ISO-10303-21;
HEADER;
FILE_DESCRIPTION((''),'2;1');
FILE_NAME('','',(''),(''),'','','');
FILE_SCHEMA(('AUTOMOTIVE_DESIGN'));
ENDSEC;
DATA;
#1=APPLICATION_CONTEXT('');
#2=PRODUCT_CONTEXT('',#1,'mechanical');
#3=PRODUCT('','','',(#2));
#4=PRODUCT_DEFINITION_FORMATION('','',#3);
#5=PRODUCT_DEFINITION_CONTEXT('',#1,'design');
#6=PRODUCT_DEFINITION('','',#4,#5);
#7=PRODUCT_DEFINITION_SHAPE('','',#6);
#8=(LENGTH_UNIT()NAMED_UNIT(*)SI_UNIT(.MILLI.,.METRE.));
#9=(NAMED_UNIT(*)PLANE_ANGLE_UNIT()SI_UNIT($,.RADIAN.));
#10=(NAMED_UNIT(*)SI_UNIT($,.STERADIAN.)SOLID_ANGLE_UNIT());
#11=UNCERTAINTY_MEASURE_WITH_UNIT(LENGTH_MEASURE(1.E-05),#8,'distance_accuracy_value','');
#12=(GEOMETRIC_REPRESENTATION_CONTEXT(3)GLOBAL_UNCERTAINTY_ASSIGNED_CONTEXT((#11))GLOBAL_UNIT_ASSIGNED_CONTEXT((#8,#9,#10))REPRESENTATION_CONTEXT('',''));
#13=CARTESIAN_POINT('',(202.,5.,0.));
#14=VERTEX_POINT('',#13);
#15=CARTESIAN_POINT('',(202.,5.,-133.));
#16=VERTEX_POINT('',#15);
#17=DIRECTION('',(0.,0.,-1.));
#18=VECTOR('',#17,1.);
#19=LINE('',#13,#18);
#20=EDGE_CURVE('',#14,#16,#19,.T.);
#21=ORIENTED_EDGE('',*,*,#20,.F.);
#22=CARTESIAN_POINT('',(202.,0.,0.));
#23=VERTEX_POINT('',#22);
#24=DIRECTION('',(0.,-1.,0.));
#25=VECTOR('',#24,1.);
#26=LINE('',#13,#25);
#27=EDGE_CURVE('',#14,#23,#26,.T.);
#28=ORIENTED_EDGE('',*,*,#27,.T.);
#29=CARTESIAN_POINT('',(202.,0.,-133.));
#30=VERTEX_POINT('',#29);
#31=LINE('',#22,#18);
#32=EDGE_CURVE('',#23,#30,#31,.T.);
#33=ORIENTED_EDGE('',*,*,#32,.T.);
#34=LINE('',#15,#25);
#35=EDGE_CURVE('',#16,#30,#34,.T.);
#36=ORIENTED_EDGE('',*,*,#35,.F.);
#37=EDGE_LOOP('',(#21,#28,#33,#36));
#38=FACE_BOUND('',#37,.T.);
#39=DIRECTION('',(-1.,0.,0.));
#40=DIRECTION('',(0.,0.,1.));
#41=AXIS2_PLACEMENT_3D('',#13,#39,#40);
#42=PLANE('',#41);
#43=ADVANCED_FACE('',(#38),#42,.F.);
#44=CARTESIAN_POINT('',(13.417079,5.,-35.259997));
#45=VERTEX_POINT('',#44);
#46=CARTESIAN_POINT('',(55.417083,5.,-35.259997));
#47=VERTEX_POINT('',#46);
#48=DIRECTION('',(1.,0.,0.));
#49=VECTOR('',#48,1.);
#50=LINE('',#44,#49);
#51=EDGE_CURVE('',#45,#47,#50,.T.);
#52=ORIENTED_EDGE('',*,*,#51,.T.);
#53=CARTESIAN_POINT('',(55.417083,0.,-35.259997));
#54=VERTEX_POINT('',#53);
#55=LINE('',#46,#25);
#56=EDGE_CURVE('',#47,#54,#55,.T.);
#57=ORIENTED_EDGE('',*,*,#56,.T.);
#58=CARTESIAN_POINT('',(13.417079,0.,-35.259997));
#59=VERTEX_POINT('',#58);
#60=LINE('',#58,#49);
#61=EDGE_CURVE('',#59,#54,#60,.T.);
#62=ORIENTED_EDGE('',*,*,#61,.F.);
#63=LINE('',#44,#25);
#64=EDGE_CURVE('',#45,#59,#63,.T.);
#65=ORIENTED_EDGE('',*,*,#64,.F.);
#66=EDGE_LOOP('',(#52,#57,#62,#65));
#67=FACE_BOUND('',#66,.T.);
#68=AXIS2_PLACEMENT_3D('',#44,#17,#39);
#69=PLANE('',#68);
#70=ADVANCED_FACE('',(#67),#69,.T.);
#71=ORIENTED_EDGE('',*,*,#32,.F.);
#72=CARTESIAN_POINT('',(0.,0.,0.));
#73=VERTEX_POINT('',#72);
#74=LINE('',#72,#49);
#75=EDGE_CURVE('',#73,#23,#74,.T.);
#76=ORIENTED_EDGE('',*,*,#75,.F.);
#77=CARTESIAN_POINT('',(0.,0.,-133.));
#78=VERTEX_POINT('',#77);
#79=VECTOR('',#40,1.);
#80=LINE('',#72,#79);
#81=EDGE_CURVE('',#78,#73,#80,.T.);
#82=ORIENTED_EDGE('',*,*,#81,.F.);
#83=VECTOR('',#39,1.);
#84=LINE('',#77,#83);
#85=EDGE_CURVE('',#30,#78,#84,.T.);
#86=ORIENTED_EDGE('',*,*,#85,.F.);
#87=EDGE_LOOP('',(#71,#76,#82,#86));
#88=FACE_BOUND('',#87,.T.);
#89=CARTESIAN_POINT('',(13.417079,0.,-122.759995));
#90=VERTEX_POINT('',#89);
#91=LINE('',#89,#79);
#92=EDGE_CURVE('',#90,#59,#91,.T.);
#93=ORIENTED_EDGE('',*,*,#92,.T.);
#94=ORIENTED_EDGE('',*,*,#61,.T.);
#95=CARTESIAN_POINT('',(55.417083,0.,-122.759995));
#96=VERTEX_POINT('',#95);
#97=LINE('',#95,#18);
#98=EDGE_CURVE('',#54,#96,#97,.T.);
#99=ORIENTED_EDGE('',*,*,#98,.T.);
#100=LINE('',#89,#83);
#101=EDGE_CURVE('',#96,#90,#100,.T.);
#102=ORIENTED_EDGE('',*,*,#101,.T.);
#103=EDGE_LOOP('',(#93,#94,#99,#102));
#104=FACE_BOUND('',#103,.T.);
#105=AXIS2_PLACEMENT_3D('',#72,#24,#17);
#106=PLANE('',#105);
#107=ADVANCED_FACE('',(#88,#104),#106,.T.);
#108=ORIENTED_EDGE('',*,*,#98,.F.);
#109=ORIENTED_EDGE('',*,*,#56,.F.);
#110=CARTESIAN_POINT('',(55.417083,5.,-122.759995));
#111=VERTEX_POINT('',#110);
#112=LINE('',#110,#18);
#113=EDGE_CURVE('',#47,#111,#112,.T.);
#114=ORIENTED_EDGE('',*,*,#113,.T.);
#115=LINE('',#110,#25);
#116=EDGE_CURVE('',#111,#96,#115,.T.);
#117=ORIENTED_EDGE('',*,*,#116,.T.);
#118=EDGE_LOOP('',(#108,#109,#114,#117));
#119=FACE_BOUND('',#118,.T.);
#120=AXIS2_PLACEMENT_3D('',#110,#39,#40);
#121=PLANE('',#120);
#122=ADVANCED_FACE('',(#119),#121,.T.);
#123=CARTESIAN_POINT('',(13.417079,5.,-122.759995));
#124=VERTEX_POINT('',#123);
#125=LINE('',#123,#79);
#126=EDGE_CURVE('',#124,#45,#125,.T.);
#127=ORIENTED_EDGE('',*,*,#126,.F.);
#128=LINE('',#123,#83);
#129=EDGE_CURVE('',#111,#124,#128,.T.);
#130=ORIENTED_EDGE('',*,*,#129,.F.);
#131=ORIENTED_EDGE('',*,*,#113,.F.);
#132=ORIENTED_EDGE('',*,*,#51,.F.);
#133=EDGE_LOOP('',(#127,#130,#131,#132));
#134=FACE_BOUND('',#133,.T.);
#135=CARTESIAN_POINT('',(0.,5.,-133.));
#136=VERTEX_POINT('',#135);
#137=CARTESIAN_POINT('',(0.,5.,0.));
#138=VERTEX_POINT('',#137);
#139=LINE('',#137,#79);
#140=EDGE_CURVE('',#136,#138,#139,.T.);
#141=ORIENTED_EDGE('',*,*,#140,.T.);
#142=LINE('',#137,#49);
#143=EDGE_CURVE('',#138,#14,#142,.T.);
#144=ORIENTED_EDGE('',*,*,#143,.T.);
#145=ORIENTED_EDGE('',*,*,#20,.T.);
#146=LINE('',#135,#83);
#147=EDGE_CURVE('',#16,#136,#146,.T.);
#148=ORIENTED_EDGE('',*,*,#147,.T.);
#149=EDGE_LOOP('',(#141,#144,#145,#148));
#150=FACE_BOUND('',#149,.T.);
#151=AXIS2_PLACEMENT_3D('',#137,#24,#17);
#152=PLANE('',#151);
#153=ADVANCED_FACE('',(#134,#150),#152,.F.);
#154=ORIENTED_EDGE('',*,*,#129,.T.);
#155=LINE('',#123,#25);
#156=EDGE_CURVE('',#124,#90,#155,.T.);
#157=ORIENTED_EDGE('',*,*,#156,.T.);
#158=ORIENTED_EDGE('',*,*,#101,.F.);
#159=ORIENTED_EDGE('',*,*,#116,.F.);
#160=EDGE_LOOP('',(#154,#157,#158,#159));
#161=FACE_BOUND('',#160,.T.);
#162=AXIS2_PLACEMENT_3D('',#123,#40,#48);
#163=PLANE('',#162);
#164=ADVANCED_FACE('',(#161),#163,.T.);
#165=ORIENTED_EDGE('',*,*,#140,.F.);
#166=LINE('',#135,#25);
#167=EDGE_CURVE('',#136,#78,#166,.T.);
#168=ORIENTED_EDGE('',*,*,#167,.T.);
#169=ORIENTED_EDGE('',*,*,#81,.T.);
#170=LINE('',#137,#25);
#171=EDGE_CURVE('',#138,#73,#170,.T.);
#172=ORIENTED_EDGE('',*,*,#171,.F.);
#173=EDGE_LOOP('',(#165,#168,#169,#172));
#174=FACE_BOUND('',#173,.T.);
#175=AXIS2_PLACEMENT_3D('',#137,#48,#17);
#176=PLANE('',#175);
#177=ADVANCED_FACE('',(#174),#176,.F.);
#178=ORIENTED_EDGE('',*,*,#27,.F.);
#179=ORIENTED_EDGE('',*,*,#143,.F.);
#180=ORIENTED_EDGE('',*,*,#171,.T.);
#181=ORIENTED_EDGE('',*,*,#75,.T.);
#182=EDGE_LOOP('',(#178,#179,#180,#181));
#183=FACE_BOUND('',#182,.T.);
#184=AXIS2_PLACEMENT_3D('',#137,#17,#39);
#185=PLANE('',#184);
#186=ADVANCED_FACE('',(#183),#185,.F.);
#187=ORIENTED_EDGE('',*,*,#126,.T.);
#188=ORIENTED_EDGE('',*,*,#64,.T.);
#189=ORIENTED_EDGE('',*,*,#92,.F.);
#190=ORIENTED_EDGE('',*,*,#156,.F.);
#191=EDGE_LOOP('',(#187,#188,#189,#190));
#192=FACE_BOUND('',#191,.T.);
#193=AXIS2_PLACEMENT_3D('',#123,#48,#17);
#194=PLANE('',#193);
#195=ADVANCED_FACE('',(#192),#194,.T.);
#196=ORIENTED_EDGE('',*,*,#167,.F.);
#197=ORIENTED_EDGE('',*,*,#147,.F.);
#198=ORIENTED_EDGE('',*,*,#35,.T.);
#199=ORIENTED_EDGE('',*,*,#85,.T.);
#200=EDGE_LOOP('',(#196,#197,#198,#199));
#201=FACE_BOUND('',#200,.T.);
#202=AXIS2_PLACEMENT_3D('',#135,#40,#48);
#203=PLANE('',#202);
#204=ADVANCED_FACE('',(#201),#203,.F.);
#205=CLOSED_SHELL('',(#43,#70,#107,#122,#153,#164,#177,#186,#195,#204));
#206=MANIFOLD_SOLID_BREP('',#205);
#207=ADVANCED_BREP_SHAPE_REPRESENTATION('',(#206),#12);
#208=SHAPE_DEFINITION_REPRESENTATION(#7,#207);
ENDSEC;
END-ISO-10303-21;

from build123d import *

# Parameters (mm, degrees)
SKETCH1_W           = 202
SKETCH1_H           = 133
SKETCH1_W_2         = 42.000003825
SKETCH1_H_2         = 87.499998164
BOSS_EXTRUDE2_DEPTH = 5


with BuildPart() as part:
    # Sketch1 → Boss-Extrude2 (new body)
    with BuildSketch(Plane(origin=(0, 0, 0), x_dir=(1, 0, 0), z_dir=(0, 1, 0))):
        with Locations((101, 66.5)):
            Rectangle(SKETCH1_W, SKETCH1_H)
        with Locations((34.417080689, 79.009996247)):
            Rectangle(SKETCH1_W_2, SKETCH1_H_2, mode=Mode.SUBTRACT)
    extrude(amount=BOSS_EXTRUDE2_DEPTH)


solid = part.part
